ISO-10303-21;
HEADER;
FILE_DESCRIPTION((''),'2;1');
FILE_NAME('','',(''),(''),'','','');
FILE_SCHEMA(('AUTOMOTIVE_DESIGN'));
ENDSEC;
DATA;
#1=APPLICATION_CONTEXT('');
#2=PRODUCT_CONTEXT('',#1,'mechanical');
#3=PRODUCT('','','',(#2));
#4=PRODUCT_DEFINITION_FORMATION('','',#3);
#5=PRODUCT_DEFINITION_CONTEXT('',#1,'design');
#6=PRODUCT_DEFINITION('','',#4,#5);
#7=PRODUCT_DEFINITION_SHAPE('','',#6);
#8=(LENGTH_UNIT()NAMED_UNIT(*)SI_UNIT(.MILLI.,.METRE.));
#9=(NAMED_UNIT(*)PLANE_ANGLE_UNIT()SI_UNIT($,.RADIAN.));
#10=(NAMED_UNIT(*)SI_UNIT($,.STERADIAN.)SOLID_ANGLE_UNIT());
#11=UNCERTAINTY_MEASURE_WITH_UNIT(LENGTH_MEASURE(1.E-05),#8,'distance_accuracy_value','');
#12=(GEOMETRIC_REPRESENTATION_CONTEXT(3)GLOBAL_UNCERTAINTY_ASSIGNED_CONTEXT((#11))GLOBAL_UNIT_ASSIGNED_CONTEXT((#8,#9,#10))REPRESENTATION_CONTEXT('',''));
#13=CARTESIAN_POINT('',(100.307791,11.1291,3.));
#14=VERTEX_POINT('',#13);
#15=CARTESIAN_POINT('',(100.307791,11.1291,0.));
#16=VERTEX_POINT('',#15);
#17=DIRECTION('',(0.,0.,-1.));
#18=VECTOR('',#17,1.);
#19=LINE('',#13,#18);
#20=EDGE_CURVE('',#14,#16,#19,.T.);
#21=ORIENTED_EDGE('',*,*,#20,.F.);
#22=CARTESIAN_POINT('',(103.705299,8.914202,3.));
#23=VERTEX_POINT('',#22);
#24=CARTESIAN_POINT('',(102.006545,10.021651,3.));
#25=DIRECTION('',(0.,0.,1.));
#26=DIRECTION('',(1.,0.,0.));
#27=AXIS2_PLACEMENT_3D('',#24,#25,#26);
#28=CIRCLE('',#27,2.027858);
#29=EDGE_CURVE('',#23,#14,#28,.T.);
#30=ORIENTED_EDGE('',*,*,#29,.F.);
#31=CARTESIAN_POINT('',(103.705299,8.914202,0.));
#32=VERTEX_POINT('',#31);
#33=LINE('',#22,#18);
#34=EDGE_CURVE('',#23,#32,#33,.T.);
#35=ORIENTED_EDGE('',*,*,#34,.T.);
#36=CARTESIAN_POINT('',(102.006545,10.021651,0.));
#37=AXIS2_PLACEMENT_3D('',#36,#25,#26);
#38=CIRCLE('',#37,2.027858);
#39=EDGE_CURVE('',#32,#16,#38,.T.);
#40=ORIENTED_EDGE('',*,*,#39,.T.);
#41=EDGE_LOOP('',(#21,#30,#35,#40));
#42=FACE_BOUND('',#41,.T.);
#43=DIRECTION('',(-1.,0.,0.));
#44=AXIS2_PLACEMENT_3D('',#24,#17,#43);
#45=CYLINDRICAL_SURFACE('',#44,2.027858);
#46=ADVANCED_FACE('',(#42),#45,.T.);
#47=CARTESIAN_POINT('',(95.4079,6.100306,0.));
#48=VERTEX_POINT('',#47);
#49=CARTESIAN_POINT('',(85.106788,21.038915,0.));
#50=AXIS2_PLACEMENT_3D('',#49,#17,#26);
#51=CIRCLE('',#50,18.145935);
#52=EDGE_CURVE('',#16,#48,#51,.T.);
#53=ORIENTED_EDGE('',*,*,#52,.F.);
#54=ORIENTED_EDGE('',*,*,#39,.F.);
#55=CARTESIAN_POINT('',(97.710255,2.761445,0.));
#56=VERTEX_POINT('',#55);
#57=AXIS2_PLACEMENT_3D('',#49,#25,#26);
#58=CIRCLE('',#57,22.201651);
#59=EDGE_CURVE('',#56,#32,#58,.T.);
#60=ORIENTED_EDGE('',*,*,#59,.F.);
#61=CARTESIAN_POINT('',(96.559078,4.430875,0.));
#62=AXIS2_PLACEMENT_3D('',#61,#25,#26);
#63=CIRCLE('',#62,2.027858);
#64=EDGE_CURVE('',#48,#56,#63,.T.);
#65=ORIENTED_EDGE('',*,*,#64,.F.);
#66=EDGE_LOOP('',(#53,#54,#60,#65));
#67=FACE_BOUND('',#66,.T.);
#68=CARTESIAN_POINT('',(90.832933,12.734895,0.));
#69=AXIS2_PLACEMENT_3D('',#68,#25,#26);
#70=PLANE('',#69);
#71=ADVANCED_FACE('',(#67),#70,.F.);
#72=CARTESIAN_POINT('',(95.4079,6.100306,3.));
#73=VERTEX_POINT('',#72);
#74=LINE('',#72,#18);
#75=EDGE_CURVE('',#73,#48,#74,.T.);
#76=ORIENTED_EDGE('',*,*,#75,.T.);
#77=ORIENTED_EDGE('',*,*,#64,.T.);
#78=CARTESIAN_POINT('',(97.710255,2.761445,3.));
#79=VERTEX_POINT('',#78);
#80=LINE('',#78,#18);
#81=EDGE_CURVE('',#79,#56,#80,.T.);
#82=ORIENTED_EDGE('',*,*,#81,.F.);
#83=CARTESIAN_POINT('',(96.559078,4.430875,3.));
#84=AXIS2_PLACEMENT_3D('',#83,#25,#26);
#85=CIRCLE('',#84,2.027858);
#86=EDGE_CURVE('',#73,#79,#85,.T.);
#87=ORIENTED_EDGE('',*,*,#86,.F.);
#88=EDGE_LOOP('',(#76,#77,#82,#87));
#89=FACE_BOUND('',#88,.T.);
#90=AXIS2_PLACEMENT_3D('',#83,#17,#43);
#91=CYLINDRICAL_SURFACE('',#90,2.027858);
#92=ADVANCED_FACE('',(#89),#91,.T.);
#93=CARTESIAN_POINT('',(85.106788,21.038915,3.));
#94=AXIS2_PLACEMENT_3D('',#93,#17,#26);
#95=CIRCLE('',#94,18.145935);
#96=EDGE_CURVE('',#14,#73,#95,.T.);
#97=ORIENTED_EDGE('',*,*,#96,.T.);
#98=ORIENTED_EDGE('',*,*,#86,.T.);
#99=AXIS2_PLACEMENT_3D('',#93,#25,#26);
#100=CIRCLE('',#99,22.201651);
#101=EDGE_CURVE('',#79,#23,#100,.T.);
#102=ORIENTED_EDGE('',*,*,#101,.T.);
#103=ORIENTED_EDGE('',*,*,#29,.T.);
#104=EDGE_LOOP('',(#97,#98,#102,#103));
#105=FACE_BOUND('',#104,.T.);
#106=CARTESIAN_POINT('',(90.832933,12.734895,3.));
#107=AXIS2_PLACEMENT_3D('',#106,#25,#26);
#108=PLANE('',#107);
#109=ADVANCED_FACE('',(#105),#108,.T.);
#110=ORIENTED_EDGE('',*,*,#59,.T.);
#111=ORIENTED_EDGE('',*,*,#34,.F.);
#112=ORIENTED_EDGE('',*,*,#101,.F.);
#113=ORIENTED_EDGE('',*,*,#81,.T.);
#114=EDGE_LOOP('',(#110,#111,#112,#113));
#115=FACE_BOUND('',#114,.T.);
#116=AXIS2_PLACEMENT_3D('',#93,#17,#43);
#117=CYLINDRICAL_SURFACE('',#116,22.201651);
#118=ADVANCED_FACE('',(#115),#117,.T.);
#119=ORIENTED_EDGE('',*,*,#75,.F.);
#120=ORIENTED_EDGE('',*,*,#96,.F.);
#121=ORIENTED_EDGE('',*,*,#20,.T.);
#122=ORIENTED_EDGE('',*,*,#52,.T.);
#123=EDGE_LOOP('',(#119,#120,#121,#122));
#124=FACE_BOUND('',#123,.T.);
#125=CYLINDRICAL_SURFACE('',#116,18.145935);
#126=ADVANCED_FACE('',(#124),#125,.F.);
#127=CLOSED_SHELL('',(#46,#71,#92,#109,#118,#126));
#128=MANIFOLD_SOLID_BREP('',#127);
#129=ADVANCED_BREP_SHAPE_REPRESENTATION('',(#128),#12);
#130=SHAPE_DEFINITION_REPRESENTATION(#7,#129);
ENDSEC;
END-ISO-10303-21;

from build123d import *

# Parameters (mm, degrees)
BOSS_EXTRUDE1_DEPTH = 3


with BuildPart() as part:
    # Sketch1 → Boss-Extrude1 (new body)
    with BuildSketch(Plane(origin=(70, 0, 0), x_dir=(1, 0, 0), z_dir=(0, 0, 1))):
        with BuildLine():
            ThreePointArc((27.710255168, 2.761444832), (31.008202169, 5.545099335), (33.705299459, 8.914202038))
            ThreePointArc((33.705299459, 8.914202038), (33.113994499, 11.720405137), (30.3077914, 11.129100178))
            ThreePointArc((30.3077914, 11.129100178), (28.103389968, 8.37545282), (25.407899848, 6.100306129))
            ThreePointArc((25.407899848, 6.100306129), (24.889646859, 3.279697821), (27.710255168, 2.761444832))
        make_face()
    extrude(amount=BOSS_EXTRUDE1_DEPTH)


solid = part.part
